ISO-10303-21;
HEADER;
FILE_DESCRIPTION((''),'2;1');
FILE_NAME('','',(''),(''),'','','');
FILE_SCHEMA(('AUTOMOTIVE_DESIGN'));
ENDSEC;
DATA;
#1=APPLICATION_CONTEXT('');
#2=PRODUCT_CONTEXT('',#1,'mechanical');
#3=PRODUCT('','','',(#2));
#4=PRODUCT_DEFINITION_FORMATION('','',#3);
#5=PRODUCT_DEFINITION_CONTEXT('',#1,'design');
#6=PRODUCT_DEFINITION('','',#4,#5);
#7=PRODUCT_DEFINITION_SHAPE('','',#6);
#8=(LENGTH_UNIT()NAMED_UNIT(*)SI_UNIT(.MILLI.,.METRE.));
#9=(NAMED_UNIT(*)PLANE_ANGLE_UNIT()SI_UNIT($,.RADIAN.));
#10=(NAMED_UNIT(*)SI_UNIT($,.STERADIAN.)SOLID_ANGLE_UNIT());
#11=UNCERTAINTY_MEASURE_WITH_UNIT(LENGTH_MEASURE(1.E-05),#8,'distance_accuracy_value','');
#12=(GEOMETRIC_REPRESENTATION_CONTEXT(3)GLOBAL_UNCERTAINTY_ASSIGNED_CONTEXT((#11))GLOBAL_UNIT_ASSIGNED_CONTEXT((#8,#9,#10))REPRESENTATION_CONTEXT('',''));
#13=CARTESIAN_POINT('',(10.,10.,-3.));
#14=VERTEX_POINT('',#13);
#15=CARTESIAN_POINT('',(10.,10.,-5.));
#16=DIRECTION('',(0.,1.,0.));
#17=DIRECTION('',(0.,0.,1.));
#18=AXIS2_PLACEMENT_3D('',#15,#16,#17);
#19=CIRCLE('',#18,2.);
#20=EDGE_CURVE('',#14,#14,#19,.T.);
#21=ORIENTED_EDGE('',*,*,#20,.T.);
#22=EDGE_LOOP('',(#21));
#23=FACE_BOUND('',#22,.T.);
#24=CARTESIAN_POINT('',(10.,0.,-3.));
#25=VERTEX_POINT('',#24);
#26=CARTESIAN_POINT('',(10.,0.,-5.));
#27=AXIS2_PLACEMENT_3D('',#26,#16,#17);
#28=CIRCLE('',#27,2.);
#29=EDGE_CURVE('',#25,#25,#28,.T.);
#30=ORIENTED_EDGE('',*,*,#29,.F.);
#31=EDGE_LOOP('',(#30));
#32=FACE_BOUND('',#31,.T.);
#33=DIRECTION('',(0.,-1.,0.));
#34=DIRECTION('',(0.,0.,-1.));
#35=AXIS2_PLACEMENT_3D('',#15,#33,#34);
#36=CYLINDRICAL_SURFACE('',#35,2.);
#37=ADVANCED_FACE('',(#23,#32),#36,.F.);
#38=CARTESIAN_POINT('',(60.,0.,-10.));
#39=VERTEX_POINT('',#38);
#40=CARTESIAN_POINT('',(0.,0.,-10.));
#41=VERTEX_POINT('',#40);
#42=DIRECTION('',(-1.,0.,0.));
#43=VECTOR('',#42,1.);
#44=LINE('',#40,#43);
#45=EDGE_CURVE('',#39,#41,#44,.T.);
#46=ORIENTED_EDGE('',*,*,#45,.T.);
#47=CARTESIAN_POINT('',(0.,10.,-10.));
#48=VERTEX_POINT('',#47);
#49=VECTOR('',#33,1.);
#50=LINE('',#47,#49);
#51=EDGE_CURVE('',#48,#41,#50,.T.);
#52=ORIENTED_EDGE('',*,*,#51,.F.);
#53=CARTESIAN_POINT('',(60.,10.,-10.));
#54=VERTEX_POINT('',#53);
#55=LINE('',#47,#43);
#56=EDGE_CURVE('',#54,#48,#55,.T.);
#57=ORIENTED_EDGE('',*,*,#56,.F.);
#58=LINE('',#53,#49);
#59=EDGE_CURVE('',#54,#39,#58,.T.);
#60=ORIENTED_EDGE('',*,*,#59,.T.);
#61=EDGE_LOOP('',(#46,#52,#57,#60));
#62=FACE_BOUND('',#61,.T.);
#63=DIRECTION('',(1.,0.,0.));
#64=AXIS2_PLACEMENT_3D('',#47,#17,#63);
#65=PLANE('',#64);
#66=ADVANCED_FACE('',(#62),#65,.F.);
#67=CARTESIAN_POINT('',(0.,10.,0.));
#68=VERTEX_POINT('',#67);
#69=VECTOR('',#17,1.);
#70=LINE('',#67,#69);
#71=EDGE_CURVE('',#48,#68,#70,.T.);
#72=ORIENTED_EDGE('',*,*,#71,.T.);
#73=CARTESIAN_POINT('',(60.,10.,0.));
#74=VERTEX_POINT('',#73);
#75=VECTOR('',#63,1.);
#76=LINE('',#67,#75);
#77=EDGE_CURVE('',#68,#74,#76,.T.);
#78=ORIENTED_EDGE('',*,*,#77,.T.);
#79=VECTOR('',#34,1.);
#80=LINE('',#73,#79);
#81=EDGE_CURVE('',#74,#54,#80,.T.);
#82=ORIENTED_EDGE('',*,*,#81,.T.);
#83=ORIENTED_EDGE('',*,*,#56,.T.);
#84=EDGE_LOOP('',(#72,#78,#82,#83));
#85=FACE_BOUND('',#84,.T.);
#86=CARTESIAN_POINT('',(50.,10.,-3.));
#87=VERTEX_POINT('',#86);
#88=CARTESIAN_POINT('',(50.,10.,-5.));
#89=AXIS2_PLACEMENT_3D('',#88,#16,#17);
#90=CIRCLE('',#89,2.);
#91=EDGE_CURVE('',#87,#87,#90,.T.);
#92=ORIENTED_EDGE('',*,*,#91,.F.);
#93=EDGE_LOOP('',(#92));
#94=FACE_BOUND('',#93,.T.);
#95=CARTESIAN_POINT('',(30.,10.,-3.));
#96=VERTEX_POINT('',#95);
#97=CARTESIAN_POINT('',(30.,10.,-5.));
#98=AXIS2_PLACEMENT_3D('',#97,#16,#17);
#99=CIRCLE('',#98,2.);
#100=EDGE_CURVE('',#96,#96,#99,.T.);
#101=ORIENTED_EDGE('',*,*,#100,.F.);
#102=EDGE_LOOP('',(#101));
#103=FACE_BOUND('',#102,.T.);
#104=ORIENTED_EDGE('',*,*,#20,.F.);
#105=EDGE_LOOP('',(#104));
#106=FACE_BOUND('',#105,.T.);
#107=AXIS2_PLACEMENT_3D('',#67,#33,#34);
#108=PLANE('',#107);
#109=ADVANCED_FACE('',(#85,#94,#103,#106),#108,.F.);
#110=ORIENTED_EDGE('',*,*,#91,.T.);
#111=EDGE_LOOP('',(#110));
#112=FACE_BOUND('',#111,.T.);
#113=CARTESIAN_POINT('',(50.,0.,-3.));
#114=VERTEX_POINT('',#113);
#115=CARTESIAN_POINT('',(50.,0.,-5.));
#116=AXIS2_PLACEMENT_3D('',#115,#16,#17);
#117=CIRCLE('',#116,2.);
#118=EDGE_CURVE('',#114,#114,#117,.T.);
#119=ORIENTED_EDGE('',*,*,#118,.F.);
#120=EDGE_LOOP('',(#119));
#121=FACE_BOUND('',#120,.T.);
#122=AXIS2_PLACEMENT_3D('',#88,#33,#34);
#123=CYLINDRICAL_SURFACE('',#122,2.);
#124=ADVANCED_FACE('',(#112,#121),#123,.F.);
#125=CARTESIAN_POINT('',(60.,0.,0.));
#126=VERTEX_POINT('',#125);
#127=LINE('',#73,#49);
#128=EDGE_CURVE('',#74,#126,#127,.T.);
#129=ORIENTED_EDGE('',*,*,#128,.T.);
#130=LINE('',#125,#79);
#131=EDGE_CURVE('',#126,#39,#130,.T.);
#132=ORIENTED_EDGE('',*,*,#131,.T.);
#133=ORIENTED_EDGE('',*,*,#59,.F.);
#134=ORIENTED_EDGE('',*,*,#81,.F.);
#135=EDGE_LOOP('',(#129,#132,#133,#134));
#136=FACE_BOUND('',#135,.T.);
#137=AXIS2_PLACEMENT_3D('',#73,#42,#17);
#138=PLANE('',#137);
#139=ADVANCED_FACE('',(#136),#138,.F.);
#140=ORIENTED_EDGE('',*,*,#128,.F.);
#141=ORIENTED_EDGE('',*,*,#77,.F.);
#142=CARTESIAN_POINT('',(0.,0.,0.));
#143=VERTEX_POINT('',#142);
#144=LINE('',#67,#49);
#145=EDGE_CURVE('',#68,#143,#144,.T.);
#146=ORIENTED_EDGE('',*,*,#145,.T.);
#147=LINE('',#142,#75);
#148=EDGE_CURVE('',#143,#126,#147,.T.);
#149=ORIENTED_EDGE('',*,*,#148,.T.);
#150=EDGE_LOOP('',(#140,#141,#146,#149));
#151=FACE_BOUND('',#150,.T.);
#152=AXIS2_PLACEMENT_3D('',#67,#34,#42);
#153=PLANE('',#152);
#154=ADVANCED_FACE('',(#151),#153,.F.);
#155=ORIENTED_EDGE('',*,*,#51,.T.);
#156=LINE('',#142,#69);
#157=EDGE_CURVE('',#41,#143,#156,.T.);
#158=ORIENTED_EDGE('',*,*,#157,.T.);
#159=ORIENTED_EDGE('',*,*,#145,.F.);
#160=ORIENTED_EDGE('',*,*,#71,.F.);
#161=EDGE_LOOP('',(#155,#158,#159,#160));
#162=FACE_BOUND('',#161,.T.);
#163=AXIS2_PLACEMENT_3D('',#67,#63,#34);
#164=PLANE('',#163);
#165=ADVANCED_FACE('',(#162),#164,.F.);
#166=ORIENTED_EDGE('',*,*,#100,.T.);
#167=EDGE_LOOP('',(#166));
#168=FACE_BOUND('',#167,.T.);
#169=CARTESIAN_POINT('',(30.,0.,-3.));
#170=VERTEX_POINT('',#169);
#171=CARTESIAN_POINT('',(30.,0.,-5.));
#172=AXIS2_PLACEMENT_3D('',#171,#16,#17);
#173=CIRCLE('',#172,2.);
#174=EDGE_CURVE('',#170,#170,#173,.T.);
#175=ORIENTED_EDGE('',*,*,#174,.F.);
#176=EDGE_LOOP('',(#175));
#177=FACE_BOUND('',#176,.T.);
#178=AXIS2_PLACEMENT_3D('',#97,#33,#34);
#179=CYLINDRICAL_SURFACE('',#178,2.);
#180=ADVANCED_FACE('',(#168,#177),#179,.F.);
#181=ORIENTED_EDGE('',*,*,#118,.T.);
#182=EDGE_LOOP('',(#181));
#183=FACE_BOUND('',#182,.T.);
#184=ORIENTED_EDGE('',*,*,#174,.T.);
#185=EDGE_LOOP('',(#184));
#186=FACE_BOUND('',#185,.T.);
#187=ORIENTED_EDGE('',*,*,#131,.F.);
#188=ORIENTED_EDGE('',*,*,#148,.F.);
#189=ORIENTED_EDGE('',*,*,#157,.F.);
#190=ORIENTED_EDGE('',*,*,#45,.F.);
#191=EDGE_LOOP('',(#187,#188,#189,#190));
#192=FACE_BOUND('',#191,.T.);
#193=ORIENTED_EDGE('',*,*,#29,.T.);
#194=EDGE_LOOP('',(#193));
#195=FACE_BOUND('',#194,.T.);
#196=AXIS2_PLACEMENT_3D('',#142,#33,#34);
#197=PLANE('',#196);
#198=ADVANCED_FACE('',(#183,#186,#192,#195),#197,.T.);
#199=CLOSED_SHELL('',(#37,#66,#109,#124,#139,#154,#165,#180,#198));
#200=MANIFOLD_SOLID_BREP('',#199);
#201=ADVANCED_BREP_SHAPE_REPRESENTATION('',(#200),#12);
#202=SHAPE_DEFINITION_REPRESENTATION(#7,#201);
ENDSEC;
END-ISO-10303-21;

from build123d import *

# Parameters (mm, degrees)
SKETCH1_W           = 60
SKETCH1_H           = 10
SKETCH1_R           = 2
BOSS_EXTRUDE1_DEPTH = 10


with BuildPart() as part:
    # Sketch1 → Boss-Extrude1 (new body)
    with BuildSketch(Plane(origin=(0, 0, 0), x_dir=(1, 0, 0), z_dir=(0, 1, 0))):
        with Locations((30, 5)):
            Rectangle(SKETCH1_W, SKETCH1_H)
        with Locations(Location((10, 5, 0), (0, 0, 270))):
            Circle(SKETCH1_R, mode=Mode.SUBTRACT)
        with Locations(Location((30, 5, 0), (0, 0, 270))):
            Circle(SKETCH1_R, mode=Mode.SUBTRACT)
        with Locations(Location((50, 5, 0), (0, 0, 270))):
            Circle(SKETCH1_R, mode=Mode.SUBTRACT)
    extrude(amount=BOSS_EXTRUDE1_DEPTH)


solid = part.part
